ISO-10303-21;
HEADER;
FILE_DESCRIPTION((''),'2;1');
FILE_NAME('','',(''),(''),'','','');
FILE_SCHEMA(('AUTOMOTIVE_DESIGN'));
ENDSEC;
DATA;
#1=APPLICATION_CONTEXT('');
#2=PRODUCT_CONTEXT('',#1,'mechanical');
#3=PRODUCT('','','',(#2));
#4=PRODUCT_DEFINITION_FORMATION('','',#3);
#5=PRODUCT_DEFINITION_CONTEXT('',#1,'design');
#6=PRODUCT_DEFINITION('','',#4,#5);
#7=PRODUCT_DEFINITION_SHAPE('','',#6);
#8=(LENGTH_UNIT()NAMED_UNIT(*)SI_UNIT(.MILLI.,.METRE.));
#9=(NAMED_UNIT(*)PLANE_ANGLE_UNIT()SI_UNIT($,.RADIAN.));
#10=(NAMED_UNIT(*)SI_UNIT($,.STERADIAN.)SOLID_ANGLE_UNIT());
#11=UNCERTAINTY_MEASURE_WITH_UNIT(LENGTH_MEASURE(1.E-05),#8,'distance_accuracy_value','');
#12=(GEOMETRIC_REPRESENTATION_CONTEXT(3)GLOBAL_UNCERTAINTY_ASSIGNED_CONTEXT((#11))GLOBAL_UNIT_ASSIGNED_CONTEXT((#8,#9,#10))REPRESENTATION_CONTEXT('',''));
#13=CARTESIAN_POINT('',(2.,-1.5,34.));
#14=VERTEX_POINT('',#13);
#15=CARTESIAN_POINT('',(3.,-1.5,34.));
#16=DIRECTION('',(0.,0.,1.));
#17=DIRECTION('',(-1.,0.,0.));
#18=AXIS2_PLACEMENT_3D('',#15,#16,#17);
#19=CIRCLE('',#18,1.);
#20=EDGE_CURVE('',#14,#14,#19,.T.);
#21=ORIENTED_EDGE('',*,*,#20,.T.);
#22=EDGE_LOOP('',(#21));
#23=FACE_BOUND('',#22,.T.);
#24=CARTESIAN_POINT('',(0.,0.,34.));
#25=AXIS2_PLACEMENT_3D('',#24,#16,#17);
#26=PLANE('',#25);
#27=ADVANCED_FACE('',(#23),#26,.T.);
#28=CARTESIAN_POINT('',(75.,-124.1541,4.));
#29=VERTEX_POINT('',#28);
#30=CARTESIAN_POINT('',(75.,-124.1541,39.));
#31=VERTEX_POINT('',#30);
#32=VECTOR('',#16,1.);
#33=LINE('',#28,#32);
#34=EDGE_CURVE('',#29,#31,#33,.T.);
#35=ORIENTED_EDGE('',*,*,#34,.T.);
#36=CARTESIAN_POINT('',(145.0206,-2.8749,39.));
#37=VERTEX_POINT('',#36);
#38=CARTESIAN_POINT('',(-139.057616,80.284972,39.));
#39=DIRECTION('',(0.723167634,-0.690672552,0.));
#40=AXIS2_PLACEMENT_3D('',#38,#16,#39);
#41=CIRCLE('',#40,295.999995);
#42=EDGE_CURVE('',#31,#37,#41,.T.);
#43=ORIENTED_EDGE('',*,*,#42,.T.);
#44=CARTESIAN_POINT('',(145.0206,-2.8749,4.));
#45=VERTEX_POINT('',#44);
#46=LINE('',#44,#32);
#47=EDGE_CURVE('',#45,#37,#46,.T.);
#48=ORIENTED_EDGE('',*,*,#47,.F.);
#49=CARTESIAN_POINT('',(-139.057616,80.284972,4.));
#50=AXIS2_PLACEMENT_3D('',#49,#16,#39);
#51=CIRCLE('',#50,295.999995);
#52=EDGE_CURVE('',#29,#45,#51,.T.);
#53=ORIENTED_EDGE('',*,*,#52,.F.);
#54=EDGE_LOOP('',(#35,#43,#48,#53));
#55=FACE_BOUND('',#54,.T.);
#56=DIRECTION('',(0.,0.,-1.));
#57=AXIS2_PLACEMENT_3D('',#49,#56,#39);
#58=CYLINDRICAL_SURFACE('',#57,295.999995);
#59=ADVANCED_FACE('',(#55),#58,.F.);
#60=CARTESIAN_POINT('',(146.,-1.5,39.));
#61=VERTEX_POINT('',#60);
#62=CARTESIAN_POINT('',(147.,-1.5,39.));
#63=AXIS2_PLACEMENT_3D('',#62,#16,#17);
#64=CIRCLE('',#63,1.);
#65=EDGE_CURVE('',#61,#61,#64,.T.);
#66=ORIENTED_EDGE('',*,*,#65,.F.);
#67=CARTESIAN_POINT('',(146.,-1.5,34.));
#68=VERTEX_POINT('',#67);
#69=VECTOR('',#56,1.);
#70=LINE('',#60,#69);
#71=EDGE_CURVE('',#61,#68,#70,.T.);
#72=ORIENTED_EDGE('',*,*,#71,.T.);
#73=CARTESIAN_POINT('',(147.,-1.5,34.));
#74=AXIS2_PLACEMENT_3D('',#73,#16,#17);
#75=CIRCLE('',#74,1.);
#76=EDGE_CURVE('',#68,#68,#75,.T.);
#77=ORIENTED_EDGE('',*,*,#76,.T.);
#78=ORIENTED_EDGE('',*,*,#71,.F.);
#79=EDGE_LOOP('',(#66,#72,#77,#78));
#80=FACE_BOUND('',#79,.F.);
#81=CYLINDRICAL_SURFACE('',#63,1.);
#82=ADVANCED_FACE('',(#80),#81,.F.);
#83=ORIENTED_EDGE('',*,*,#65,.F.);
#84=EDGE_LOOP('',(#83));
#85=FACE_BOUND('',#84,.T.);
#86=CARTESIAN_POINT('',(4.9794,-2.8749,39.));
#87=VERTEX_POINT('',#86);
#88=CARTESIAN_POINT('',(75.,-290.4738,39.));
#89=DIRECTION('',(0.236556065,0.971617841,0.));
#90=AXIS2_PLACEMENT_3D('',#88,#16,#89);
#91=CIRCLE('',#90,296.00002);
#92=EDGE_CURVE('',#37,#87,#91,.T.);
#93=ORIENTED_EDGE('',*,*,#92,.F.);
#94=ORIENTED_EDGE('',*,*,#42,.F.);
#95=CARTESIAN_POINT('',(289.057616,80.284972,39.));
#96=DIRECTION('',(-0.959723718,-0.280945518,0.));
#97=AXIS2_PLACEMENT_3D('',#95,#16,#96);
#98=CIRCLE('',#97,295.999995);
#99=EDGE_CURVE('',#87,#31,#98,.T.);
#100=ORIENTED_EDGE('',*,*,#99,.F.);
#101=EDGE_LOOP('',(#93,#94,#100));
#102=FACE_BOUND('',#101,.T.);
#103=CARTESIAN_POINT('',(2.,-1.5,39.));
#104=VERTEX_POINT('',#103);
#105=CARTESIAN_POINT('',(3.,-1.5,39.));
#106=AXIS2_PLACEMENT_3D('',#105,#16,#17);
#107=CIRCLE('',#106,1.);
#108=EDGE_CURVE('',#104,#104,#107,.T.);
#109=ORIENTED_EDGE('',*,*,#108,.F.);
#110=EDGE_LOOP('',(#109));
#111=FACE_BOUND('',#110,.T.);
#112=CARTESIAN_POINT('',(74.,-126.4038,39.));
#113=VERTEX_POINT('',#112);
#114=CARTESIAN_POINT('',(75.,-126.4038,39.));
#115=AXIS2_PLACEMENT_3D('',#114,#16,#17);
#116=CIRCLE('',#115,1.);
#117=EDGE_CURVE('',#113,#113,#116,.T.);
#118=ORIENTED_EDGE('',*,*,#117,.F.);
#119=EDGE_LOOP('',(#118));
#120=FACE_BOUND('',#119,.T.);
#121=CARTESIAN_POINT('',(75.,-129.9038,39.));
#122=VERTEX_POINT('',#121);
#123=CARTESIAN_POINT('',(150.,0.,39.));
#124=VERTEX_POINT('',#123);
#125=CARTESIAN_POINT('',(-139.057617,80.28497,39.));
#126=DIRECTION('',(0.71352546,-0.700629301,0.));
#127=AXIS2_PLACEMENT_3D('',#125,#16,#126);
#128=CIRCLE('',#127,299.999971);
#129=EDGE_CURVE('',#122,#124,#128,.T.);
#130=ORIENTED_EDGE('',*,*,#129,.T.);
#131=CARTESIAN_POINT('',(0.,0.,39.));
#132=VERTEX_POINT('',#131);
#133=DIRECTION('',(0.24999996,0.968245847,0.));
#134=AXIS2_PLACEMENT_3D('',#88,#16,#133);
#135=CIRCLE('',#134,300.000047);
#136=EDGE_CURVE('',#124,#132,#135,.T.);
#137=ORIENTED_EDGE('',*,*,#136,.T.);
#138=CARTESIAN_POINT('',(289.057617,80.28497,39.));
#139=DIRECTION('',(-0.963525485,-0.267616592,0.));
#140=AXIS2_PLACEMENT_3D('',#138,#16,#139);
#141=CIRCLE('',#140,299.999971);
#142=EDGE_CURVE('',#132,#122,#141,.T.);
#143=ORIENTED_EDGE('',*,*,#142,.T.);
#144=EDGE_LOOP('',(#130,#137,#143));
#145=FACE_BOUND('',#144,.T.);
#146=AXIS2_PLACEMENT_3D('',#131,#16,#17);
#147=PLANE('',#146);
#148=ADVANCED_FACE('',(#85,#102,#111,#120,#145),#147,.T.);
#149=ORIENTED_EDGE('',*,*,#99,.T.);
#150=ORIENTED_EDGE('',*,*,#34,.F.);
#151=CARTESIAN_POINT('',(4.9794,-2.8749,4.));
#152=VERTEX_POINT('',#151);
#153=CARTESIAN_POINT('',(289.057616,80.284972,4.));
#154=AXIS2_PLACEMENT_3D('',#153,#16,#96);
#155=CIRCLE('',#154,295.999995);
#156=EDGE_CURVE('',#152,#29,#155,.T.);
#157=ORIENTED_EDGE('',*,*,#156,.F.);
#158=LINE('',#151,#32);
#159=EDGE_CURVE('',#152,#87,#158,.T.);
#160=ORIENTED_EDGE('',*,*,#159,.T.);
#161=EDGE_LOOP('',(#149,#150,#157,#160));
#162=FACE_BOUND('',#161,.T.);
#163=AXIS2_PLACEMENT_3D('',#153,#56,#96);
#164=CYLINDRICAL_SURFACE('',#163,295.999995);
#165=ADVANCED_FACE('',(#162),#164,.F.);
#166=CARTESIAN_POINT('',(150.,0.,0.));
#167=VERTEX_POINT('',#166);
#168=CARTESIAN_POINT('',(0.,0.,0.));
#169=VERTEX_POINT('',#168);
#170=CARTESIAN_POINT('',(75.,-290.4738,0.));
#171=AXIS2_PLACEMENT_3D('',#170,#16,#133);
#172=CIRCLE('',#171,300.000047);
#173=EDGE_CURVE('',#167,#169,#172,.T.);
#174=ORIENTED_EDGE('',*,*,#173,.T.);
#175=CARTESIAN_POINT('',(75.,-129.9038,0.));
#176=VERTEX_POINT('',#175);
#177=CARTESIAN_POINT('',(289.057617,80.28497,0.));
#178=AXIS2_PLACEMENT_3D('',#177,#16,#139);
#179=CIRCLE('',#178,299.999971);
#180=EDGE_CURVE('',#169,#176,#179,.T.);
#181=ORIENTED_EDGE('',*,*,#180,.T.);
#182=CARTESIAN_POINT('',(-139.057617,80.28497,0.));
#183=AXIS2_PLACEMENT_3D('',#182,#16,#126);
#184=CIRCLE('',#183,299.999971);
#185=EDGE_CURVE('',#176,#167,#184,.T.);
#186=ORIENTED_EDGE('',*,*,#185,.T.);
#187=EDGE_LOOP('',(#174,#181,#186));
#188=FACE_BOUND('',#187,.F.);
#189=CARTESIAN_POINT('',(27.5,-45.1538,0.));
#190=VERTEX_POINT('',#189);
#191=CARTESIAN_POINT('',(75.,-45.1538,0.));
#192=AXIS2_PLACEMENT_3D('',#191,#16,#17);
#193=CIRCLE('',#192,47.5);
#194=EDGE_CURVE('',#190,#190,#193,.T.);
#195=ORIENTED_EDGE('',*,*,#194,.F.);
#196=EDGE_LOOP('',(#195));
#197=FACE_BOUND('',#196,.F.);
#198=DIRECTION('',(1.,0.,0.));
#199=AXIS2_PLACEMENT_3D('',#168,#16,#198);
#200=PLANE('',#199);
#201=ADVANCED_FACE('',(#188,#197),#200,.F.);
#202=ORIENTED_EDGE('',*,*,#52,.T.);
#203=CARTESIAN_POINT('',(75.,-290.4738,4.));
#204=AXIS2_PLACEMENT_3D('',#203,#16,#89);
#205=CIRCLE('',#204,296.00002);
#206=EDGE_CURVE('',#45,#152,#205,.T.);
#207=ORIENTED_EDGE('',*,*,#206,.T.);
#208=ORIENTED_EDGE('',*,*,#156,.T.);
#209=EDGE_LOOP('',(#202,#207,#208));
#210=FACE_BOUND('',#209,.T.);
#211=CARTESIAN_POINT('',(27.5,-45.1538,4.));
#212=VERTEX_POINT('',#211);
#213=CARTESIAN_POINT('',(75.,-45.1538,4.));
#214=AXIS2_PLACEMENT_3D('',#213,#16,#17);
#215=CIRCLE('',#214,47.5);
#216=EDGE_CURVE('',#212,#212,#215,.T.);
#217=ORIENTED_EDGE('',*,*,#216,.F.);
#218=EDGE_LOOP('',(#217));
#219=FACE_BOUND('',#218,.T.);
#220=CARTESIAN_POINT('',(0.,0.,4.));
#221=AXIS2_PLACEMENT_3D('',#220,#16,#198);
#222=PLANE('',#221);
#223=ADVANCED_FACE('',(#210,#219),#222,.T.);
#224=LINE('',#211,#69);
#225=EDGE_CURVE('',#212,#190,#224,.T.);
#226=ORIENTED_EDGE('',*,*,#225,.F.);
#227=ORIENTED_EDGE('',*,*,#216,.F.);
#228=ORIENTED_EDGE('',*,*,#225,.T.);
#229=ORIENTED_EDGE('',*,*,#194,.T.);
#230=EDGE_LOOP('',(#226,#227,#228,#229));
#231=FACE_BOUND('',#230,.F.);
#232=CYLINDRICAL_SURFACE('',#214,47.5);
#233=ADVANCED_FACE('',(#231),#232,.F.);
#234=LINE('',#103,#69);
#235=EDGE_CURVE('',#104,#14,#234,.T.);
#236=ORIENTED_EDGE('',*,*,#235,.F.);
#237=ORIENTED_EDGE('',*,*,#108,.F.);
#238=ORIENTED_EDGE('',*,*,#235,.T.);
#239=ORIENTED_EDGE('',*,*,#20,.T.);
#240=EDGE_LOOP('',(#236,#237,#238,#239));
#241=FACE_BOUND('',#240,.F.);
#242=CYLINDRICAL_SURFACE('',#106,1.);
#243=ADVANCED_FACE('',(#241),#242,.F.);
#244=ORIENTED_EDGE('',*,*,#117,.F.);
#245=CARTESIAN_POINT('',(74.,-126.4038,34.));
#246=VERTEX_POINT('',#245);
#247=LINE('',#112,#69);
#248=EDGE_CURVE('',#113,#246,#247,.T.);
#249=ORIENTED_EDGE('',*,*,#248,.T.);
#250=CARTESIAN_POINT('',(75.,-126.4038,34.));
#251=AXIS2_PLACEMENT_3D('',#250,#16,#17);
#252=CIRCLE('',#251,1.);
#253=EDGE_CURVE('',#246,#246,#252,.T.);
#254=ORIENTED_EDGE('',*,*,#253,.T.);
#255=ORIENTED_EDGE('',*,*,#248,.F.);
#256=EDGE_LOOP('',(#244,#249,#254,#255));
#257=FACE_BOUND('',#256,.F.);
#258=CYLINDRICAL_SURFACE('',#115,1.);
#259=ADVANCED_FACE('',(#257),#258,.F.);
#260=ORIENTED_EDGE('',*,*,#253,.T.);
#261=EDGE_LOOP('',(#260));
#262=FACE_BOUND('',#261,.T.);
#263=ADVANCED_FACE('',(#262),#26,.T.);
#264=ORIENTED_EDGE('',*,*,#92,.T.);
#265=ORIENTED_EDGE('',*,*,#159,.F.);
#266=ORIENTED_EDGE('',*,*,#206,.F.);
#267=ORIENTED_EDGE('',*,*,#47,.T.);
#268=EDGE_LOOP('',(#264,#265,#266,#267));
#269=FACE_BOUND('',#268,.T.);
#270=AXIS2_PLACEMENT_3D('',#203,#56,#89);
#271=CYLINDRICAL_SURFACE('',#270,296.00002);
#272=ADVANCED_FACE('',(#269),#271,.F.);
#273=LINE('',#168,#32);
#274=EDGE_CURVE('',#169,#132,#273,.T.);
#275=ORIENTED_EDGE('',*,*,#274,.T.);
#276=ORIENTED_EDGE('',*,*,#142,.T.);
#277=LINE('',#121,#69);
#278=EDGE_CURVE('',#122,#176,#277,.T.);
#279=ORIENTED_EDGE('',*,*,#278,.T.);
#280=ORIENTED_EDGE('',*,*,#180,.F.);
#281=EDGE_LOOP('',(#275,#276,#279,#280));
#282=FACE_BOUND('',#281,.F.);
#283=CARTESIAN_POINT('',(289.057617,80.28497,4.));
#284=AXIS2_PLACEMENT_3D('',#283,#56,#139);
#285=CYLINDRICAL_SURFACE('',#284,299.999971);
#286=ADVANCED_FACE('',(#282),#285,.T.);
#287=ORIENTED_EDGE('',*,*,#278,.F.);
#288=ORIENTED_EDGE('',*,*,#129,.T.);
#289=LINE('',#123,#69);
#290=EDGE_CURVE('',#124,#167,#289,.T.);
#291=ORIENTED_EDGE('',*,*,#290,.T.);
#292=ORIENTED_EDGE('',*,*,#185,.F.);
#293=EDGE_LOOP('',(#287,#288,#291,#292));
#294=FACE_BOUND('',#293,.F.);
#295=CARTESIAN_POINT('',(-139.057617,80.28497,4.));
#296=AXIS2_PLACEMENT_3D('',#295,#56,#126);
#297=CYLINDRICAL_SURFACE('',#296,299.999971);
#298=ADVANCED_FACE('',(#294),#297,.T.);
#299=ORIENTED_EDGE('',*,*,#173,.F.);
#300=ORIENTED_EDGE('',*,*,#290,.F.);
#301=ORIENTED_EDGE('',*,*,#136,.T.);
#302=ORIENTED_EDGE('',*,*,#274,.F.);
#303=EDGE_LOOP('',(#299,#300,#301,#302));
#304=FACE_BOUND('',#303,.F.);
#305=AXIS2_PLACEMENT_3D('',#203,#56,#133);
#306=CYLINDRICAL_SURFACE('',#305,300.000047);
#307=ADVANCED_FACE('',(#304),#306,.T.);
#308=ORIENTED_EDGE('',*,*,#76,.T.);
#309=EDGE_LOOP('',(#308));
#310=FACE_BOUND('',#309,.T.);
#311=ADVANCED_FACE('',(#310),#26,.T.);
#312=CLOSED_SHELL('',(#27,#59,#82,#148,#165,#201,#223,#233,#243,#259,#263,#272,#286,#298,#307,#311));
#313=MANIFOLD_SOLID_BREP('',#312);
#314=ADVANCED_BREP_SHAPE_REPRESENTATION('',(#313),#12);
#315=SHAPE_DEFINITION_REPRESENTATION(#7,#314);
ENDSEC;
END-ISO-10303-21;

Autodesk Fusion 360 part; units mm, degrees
sketch "Base" plane through (0, 0, 0) normal (0, 0, 1) x (1, 0, 0)
  line L0 (0, 0) -> (150, 0)
  line L1 (0, 0) -> (75, -129.9038)
  line L2 (0, 0) -> (150, 0) construction
  line L3 (75, -129.9038) -> (150, 0)
  arc A0 (150, 0) -> (0, 0) centre (75, -290.4738) ccw
  arc A1 (75, -129.9038) -> (150, 0) centre (-139.0576, 80.285) ccw
  arc A2 (0, 0) -> (75, -129.9038) centre (289.0576, 80.285) ccw
  dimension "d1" = 150
  dimension "d3" = 60
  dimension "d4" = 150
  dimension "d5" = 300
  dimension "d7" = 300
  dimension "d8" = 300
extrude "Extrude1" add sketch "Base" along normal blind 4
sketch "Walls" plane through (0, 0, 4) normal (0, 0, 1) x (-1, 0, 0)
  arc A0 (0, 0) -> (-75, 129.9038) centre (-289.0576, -80.285) ccw
  arc A1 (-75, 129.9038) -> (-150, 0) centre (139.0576, -80.285) ccw
  arc A2 (-150, 0) -> (0, 0) centre (-75, 290.4738) ccw
  arc A3 (-75, 124.1541) -> (-145.0206, 2.8749) centre (139.0576, -80.285) ccw
  arc A4 (-145.0206, 2.8749) -> (-4.9794, 2.8749) centre (-75, 290.4738) ccw
  arc A5 (-4.9794, 2.8749) -> (-75, 124.1541) centre (-289.0576, -80.285) ccw
  dimension "d11" = -4
extrude "Extrude2" add sketch "Walls" along normal blind 35
sketch "Cutout" plane through (0, 0, 4) normal (0, 0, 1) x (-1, 0, 0)
  arc A0 (-75, 124.1541) -> (-145.0206, 2.8749) centre (139.0576, -80.285) ccw
  arc A1 (-145.0206, 2.8749) -> (-4.9794, 2.8749) centre (-75, 290.4738) ccw
  arc A2 (-4.9794, 2.8749) -> (-75, 124.1541) centre (-289.0576, -80.285) ccw
  circle A3 centre (-75, 45.1538) radius 47.5
  point P0 (-75, 129.9038)
  dimension "d14" = 95
  dimension "d16" = 84.75
  dimension "d17" = 75
extrude "Extrude3" cut sketch "Cutout" against normal blind 4 contours A3
sketch "Screw holes" plane through (0, 0, 39) normal (0, 0, 1) x (-1, 0, 0)
  arc A0 (-4.9794, 2.8749) -> (-75, 124.1541) centre (-289.0576, -80.285) ccw
  arc A1 (-145.0206, 2.8749) -> (-4.9794, 2.8749) centre (-75, 290.4738) ccw
  arc A2 (-75, 124.1541) -> (-145.0206, 2.8749) centre (139.0576, -80.285) ccw
  arc A3 (-150, 0) -> (0, 0) centre (-75, 290.4738) ccw
  arc A4 (0, 0) -> (-75, 129.9038) centre (-289.0576, -80.285) ccw
  arc A5 (-75, 129.9038) -> (-150, 0) centre (139.0576, -80.285) ccw
  circle A6 centre (-3, 1.5) radius 1
  circle A7 centre (-147, 1.5) radius 1
  circle A8 centre (-75, 126.4038) radius 1
  dimension "d20" = 2
  dimension "d22" = 1.5
  dimension "d23" = 3
  dimension "d24" = 2
  dimension "d25" = 1.5
  dimension "d26" = 3
  dimension "d27" = 2
  dimension "d28" = 3.5
extrude "Extrude4" cut sketch "Screw holes" against normal blind 5 contours A6 | A7 | A8
